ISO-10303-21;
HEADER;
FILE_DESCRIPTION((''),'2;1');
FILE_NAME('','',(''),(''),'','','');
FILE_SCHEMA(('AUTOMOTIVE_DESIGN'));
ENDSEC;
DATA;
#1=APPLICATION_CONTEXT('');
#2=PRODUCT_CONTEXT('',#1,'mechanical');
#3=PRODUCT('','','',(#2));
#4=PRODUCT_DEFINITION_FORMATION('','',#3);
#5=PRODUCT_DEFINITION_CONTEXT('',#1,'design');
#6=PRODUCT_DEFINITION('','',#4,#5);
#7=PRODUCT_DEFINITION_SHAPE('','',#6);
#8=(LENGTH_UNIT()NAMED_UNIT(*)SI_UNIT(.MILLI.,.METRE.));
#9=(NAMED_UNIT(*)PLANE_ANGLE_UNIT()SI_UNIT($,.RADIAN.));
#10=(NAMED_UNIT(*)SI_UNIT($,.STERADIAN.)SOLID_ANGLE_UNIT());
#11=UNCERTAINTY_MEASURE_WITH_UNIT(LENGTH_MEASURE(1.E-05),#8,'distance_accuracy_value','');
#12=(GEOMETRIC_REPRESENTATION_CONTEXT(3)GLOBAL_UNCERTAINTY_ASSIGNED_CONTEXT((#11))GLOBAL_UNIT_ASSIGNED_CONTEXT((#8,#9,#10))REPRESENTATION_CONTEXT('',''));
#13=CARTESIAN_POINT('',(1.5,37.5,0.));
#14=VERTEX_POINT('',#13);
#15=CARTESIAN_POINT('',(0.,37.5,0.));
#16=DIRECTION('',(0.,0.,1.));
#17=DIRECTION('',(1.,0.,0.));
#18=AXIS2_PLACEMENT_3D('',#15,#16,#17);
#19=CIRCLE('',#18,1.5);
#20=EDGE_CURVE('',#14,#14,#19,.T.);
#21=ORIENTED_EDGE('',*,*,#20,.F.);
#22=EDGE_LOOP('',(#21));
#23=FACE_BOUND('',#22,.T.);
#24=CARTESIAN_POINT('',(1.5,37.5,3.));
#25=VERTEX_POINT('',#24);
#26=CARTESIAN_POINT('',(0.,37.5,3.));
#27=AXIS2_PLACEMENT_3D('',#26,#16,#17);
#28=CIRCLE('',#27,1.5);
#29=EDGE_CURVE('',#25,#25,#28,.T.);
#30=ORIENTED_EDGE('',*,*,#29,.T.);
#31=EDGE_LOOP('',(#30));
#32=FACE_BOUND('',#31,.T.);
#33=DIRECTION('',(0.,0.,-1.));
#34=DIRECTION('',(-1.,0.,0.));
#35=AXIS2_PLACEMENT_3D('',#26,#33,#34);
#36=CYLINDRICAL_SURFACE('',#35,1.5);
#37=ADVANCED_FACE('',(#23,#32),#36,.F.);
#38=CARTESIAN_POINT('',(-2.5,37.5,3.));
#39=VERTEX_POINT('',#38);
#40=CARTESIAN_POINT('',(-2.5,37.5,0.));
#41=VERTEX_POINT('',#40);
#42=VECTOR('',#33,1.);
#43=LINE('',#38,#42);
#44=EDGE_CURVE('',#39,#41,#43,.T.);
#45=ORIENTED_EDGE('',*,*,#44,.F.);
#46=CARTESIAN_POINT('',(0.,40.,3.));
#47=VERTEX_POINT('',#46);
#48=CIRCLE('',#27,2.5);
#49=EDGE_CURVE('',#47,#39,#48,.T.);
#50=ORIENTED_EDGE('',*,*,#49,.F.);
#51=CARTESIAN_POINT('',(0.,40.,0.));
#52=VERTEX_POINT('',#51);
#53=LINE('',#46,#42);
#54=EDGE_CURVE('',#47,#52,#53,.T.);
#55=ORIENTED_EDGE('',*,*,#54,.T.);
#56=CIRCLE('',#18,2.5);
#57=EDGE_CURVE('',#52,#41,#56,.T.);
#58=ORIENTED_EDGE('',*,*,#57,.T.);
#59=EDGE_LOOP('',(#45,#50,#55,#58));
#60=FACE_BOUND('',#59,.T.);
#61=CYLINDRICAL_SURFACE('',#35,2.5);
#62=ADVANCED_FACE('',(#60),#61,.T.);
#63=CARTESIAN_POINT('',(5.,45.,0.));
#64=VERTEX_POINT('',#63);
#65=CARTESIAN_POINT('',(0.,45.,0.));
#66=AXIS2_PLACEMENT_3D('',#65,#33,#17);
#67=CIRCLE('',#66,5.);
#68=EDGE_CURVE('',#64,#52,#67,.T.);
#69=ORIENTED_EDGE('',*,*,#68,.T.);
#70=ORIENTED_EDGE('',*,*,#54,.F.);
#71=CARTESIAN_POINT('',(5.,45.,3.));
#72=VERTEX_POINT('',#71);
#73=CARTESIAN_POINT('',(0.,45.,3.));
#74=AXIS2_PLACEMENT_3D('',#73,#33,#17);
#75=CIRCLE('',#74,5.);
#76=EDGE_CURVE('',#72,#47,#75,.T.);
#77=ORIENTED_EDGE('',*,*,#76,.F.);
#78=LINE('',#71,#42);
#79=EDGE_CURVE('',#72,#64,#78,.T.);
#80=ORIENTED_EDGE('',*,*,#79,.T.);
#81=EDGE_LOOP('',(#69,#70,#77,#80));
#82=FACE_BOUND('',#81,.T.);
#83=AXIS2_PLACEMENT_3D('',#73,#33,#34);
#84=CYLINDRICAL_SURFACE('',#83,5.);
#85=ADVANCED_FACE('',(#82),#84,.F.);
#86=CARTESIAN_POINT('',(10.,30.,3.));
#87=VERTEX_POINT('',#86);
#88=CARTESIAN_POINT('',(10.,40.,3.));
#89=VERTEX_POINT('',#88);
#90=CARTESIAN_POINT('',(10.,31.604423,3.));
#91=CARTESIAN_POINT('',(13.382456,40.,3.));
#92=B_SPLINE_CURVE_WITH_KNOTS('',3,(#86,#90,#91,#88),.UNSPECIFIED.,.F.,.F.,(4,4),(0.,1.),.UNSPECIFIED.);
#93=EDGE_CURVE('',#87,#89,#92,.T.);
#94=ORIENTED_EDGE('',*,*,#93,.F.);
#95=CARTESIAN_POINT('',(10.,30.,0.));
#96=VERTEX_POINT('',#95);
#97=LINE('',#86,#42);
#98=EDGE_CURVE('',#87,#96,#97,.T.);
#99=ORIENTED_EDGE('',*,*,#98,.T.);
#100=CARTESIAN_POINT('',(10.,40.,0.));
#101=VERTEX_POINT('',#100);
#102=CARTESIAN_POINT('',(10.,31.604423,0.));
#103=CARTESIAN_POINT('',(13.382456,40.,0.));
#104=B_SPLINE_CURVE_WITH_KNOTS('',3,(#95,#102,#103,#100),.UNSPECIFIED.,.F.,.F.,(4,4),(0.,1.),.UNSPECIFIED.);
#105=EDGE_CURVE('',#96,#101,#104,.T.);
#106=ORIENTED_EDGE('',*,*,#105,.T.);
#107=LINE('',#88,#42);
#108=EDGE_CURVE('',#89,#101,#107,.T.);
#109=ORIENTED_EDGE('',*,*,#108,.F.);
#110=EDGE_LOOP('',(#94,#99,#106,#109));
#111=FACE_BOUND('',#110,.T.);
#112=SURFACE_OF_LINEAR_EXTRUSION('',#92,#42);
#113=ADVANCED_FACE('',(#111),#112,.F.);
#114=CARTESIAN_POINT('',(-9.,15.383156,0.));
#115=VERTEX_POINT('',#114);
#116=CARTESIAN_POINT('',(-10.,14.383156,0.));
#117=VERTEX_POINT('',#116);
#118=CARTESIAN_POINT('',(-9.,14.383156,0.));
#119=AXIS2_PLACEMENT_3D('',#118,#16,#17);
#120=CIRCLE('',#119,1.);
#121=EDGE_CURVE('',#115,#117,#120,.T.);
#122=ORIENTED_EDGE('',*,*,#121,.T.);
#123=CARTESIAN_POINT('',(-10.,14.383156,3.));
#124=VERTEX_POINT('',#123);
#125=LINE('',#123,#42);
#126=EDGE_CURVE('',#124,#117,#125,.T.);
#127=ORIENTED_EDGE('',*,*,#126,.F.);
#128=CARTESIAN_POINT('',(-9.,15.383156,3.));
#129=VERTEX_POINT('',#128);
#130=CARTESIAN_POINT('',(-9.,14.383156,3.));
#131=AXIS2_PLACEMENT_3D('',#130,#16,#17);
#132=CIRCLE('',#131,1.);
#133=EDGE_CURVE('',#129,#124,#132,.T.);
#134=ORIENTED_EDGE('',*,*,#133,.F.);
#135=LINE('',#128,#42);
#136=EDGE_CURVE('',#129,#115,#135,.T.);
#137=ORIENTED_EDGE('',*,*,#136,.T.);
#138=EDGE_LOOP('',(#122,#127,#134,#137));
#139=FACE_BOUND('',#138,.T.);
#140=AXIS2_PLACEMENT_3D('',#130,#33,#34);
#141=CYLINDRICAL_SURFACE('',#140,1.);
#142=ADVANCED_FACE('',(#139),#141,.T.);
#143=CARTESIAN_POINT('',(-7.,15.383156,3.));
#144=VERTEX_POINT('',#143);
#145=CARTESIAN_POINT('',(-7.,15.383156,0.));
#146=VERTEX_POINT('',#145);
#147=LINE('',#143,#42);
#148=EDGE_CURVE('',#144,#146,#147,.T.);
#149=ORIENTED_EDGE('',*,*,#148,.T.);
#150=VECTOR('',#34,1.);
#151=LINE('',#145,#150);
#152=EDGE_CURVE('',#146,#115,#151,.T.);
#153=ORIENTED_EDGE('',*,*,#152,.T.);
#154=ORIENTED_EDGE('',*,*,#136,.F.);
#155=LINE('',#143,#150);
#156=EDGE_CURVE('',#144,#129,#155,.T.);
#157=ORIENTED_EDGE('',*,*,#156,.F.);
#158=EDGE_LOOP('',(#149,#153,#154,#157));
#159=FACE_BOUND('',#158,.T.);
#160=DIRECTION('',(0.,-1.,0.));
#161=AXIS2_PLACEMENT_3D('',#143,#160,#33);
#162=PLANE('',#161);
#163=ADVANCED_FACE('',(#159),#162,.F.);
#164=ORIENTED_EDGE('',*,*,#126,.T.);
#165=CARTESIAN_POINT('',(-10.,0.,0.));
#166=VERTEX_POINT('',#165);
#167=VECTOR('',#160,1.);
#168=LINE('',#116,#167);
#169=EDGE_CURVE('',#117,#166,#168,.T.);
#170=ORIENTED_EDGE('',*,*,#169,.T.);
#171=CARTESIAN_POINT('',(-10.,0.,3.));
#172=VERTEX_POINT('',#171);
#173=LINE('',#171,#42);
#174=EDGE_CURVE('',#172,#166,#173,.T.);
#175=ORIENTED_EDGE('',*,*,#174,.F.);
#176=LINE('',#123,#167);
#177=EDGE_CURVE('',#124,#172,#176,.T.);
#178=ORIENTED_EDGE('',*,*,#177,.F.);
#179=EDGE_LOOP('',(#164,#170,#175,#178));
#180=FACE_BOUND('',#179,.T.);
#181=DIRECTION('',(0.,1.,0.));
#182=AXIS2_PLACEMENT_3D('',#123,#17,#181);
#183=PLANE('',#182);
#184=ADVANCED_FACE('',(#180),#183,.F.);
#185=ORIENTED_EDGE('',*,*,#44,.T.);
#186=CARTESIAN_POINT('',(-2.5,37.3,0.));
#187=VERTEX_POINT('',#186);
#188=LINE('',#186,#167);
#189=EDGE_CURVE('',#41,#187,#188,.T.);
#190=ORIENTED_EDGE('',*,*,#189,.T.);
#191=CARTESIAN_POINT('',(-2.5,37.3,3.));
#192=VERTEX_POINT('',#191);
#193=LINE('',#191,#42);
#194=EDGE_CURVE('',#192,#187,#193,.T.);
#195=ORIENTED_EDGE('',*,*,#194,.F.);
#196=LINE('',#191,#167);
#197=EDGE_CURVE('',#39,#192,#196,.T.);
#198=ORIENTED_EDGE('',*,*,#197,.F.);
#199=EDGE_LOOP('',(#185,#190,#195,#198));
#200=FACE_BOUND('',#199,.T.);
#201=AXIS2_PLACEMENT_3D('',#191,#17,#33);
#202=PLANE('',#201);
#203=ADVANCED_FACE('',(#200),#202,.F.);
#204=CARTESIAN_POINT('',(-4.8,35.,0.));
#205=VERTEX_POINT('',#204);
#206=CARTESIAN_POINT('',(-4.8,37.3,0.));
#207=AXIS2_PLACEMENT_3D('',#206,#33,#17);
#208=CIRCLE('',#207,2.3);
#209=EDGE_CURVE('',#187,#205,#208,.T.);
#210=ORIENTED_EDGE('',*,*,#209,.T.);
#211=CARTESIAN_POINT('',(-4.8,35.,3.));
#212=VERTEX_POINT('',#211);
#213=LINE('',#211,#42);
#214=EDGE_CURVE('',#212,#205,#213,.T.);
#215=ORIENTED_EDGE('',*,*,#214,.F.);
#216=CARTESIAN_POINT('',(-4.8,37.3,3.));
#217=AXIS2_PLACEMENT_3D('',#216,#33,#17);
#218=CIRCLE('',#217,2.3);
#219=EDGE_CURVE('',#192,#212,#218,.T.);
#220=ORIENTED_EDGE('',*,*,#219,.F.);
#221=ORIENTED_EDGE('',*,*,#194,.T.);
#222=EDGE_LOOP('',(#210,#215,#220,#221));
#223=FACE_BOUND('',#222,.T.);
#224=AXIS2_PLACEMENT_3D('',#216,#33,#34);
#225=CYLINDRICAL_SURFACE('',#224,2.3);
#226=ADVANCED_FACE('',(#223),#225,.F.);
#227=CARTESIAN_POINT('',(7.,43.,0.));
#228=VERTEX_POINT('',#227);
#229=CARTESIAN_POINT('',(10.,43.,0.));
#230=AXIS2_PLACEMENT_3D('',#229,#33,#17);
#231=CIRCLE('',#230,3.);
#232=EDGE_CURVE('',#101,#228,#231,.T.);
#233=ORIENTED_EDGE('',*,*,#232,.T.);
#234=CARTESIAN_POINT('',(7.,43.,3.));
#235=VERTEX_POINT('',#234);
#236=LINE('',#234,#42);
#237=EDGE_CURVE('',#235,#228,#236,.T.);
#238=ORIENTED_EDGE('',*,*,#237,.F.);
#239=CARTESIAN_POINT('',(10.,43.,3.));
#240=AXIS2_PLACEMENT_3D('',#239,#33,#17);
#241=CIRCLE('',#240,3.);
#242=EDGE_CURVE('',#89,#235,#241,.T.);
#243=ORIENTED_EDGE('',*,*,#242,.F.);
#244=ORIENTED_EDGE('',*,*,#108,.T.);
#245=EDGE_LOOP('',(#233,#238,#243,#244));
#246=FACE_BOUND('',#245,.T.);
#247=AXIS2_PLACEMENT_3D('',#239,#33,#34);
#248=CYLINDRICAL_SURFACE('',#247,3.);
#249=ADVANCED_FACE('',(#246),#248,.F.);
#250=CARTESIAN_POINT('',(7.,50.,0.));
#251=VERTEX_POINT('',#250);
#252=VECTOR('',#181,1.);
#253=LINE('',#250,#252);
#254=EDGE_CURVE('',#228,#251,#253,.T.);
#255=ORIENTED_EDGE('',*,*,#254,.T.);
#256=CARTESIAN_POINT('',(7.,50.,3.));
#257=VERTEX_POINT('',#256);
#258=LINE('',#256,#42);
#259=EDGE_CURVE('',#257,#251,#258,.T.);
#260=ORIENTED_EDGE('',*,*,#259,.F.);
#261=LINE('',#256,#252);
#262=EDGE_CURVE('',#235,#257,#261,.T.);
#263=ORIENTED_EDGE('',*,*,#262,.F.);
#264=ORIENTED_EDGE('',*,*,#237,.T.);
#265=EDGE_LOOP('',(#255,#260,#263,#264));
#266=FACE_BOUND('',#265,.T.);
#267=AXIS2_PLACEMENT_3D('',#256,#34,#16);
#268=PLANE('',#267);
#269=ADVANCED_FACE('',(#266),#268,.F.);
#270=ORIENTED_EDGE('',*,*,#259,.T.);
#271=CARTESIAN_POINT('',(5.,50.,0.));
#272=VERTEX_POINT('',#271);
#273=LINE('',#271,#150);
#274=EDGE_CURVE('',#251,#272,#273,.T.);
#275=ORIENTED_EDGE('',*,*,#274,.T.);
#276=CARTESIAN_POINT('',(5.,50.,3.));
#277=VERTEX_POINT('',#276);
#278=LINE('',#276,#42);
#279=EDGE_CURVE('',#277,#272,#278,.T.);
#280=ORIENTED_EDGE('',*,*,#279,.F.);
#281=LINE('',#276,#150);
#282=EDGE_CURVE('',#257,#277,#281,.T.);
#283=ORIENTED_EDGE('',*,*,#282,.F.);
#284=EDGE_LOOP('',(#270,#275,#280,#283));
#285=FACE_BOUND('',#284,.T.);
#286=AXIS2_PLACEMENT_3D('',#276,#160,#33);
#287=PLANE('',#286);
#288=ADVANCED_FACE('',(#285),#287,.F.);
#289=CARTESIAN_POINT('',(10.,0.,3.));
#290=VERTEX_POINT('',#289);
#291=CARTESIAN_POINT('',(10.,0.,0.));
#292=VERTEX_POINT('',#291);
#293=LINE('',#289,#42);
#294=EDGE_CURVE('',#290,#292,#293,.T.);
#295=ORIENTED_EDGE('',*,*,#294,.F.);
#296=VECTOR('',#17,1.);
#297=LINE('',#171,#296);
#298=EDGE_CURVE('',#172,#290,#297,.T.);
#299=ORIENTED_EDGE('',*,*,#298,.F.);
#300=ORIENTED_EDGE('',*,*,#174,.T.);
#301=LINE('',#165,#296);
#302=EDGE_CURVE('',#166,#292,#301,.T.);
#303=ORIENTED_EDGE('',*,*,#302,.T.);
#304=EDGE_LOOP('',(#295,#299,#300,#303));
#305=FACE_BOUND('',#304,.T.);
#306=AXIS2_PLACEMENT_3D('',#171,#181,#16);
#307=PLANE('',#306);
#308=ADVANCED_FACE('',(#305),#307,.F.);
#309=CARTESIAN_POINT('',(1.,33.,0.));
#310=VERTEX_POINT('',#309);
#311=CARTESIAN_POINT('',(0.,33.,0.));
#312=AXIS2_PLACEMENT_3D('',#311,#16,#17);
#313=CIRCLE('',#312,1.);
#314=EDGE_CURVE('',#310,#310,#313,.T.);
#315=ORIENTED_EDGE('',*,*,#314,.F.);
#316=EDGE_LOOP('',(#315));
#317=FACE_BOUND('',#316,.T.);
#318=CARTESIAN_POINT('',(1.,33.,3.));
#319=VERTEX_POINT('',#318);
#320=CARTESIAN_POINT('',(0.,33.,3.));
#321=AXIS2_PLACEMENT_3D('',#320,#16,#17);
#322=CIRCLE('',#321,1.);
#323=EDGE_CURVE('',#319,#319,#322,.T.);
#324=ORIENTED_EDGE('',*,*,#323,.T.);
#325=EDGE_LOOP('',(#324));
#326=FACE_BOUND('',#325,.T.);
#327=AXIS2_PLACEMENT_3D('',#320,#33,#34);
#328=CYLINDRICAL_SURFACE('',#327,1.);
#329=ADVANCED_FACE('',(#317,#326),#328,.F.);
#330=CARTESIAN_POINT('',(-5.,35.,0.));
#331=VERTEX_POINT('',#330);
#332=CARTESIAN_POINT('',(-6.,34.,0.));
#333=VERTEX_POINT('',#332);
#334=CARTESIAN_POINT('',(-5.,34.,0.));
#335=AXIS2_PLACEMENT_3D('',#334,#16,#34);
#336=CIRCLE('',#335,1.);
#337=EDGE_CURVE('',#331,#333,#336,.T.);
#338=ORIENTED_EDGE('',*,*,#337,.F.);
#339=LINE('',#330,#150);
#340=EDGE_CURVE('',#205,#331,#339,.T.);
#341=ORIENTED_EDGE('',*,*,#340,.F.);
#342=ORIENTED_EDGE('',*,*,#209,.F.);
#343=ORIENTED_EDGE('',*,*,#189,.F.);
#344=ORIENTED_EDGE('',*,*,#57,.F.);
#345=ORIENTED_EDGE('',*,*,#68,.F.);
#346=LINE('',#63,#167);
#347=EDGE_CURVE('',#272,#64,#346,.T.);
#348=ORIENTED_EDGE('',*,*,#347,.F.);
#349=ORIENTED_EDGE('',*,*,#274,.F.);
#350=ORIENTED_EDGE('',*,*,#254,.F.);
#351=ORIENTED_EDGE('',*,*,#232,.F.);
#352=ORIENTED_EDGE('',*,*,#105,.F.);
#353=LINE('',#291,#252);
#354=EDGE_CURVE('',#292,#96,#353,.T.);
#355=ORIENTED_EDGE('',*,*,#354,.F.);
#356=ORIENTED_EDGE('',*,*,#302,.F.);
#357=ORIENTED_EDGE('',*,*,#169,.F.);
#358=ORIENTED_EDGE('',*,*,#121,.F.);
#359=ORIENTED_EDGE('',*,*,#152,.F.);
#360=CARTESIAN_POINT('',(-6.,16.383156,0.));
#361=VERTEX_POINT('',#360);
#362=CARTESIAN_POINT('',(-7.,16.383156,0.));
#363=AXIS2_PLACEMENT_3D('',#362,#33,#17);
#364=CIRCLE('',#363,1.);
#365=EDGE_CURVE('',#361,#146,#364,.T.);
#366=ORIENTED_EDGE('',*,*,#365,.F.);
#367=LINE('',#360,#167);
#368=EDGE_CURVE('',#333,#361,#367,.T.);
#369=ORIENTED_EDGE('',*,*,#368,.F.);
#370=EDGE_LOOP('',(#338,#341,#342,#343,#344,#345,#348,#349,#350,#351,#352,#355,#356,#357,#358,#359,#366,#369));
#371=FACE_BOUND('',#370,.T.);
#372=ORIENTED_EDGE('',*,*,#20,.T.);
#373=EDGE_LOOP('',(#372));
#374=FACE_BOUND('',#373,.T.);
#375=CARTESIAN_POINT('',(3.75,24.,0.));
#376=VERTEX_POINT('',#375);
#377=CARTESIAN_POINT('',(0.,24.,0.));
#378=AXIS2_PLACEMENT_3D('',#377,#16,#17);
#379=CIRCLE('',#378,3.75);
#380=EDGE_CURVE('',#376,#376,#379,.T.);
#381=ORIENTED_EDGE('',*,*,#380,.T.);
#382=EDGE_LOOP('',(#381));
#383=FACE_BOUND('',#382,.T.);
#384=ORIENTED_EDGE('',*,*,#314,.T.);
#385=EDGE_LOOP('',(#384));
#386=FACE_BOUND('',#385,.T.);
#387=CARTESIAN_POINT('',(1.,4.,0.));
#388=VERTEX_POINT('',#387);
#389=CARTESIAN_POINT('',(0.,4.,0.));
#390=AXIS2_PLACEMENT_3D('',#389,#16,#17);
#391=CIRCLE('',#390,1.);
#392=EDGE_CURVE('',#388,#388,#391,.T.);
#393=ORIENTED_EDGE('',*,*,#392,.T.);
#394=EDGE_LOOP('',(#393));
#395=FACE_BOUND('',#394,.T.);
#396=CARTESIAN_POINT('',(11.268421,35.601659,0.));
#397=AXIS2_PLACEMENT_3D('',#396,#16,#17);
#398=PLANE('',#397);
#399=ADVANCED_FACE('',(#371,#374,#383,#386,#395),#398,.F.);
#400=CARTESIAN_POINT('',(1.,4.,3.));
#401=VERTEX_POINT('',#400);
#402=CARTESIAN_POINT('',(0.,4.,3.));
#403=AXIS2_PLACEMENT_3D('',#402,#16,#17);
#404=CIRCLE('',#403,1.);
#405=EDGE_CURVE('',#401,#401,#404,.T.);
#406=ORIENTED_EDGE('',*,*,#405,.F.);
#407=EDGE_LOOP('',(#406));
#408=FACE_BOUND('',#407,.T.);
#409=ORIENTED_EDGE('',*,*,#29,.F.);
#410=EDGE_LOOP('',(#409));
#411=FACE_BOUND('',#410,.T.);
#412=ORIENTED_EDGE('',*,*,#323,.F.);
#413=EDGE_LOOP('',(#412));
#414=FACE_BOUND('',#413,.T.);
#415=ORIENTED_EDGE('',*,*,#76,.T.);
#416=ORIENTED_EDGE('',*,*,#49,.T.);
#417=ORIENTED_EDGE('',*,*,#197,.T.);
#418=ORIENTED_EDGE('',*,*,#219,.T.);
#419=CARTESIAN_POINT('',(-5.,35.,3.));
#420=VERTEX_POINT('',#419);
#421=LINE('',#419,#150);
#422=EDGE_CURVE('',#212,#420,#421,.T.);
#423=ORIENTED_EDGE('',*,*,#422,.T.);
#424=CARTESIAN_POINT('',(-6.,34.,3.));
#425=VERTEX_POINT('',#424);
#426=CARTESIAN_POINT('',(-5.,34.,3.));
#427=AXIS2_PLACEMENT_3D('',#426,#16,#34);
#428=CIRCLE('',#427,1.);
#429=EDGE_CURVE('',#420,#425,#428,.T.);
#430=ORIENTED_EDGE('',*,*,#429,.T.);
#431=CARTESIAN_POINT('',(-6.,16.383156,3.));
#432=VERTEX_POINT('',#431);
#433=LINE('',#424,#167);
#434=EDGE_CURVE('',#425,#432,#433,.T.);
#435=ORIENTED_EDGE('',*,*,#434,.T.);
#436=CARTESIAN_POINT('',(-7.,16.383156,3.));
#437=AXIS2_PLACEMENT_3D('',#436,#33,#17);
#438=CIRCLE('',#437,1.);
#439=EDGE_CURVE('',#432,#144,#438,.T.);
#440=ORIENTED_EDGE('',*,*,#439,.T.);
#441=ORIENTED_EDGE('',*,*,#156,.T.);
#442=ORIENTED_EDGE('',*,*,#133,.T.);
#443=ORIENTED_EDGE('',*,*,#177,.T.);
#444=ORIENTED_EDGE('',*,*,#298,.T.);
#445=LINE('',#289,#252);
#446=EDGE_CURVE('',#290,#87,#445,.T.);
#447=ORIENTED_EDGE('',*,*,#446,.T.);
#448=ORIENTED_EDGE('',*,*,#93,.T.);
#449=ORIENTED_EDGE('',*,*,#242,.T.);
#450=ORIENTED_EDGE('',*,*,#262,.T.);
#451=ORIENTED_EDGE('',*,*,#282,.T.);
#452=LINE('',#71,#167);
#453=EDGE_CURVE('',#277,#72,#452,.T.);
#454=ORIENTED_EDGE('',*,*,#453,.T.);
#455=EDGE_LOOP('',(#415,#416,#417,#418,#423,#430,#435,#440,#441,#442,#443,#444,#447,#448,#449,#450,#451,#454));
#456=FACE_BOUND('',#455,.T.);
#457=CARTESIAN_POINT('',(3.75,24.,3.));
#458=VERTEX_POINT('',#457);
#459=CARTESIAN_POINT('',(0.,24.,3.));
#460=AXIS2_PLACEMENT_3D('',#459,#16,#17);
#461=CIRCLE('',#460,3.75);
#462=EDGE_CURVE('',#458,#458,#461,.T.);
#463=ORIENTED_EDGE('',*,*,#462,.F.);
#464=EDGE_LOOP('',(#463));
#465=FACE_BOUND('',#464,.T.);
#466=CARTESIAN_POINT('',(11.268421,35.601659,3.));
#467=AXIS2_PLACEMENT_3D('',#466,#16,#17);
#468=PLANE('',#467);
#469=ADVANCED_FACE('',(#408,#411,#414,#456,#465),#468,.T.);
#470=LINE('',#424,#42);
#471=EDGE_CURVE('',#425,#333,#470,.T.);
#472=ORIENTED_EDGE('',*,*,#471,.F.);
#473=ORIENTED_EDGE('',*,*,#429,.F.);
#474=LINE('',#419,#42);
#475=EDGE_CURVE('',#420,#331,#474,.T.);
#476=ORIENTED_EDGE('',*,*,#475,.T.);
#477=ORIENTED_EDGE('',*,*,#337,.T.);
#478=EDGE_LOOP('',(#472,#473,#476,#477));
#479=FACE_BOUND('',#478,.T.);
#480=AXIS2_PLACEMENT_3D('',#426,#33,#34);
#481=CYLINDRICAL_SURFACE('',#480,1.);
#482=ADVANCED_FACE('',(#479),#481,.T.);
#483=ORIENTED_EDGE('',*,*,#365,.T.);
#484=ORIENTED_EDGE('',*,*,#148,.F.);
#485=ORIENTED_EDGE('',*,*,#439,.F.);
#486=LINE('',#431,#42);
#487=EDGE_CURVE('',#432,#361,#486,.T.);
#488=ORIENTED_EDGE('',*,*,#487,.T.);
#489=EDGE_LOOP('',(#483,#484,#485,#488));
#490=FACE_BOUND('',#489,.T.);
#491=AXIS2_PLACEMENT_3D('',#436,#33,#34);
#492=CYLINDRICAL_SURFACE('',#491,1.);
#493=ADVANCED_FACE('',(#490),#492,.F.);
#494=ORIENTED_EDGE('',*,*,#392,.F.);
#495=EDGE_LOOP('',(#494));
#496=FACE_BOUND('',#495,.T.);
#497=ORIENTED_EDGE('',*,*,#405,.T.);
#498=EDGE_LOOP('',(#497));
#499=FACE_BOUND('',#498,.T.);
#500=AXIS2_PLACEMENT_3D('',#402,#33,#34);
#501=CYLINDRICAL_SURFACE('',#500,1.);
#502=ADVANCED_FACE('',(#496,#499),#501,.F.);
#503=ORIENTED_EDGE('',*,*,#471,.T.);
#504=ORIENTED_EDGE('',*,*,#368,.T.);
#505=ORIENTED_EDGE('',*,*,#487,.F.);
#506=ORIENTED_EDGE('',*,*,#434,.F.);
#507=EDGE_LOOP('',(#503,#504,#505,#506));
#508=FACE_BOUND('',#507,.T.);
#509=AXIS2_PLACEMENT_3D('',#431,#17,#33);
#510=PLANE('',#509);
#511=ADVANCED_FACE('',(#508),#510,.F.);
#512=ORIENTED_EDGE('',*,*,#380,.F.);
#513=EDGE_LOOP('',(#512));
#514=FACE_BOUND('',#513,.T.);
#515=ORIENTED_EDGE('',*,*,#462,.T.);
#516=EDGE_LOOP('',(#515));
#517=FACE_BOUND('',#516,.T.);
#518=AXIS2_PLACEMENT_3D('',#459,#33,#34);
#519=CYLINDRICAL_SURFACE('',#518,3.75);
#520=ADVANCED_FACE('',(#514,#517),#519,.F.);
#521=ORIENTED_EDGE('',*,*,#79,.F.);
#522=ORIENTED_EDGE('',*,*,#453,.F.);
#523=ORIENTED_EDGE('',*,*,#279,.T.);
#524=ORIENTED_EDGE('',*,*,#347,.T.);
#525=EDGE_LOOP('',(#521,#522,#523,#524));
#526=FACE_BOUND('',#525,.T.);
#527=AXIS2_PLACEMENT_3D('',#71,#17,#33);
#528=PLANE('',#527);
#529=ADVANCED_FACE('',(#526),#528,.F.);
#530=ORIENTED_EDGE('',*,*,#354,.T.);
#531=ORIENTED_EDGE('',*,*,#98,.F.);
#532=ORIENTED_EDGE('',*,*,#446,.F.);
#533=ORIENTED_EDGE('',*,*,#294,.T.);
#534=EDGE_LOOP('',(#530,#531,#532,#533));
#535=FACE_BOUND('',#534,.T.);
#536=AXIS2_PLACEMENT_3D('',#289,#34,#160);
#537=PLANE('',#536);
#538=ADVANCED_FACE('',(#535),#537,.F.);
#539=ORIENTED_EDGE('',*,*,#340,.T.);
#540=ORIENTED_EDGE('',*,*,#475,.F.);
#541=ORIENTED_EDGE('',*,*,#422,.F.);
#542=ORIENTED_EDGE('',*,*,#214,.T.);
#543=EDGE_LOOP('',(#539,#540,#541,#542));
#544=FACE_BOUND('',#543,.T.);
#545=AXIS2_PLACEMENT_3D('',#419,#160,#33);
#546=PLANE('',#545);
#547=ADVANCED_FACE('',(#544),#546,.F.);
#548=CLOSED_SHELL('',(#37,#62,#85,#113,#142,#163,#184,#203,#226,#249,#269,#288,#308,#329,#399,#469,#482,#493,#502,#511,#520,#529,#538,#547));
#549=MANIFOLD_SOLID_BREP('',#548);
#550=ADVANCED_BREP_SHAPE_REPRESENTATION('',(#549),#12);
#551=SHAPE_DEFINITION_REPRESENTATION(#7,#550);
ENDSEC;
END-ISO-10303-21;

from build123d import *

# Parameters (mm, degrees)
CROQUIS2_R              = 1.5
CROQUIS2_R_2            = 1
CROQUIS2_R_3            = 3.75
SALIENTE_EXTRUIR1_DEPTH = 3


with BuildPart() as part:
    # Croquis2 → Saliente-Extruir1 (new body)
    with BuildSketch(Plane.XY):
        with BuildLine():
            Line((10, 0), (10, 30))
            add(Edge.make_bspline(
                [(10, 40), (13.382456464, 40), (10, 31.604422757), (10, 30)],
                knots=[0, 0, 0, 0, 1, 1, 1, 1], degree=3))
            ThreePointArc((10, 40), (7.878679656, 40.878679656), (7, 43))
            Line((7, 43), (7, 50))
            Line((7, 50), (5, 50))
            Line((5, 50), (5, 45))
            ThreePointArc((5, 45), (3.535533906, 41.464466094), (0, 40))
            ThreePointArc((0, 40), (-1.767766953, 39.267766953), (-2.5, 37.5))
            Line((-2.5, 37.5), (-2.5, 37.3))
            ThreePointArc((-2.5, 37.3), (-3.173654403, 35.673654403), (-4.8, 35))
            Line((-4.8, 35), (-5, 35))
            ThreePointArc((-5, 35), (-5.707106781, 34.707106781), (-6, 34))
            Line((-6, 34), (-6, 30))
            Line((-6, 30), (-6, 16.38315603))
            ThreePointArc((-6, 16.38315603), (-6.292893219, 15.676049249), (-7, 15.38315603))
            Line((-7, 15.38315603), (-9, 15.38315603))
            ThreePointArc((-9, 15.38315603), (-9.707106781, 15.090262811), (-10, 14.38315603))
            Line((-10, 14.38315603), (-10, 0))
            Line((-10, 0), (10, 0))
        make_face()
        with Locations((0, 37.5)):
            Circle(CROQUIS2_R, mode=Mode.SUBTRACT)
        with Locations((0, 33)):
            Circle(CROQUIS2_R_2, mode=Mode.SUBTRACT)
        with Locations((0, 4)):
            Circle(CROQUIS2_R_2, mode=Mode.SUBTRACT)
        with Locations((0, 24)):
            Circle(CROQUIS2_R_3, mode=Mode.SUBTRACT)
    extrude(amount=SALIENTE_EXTRUIR1_DEPTH)


solid = part.part
